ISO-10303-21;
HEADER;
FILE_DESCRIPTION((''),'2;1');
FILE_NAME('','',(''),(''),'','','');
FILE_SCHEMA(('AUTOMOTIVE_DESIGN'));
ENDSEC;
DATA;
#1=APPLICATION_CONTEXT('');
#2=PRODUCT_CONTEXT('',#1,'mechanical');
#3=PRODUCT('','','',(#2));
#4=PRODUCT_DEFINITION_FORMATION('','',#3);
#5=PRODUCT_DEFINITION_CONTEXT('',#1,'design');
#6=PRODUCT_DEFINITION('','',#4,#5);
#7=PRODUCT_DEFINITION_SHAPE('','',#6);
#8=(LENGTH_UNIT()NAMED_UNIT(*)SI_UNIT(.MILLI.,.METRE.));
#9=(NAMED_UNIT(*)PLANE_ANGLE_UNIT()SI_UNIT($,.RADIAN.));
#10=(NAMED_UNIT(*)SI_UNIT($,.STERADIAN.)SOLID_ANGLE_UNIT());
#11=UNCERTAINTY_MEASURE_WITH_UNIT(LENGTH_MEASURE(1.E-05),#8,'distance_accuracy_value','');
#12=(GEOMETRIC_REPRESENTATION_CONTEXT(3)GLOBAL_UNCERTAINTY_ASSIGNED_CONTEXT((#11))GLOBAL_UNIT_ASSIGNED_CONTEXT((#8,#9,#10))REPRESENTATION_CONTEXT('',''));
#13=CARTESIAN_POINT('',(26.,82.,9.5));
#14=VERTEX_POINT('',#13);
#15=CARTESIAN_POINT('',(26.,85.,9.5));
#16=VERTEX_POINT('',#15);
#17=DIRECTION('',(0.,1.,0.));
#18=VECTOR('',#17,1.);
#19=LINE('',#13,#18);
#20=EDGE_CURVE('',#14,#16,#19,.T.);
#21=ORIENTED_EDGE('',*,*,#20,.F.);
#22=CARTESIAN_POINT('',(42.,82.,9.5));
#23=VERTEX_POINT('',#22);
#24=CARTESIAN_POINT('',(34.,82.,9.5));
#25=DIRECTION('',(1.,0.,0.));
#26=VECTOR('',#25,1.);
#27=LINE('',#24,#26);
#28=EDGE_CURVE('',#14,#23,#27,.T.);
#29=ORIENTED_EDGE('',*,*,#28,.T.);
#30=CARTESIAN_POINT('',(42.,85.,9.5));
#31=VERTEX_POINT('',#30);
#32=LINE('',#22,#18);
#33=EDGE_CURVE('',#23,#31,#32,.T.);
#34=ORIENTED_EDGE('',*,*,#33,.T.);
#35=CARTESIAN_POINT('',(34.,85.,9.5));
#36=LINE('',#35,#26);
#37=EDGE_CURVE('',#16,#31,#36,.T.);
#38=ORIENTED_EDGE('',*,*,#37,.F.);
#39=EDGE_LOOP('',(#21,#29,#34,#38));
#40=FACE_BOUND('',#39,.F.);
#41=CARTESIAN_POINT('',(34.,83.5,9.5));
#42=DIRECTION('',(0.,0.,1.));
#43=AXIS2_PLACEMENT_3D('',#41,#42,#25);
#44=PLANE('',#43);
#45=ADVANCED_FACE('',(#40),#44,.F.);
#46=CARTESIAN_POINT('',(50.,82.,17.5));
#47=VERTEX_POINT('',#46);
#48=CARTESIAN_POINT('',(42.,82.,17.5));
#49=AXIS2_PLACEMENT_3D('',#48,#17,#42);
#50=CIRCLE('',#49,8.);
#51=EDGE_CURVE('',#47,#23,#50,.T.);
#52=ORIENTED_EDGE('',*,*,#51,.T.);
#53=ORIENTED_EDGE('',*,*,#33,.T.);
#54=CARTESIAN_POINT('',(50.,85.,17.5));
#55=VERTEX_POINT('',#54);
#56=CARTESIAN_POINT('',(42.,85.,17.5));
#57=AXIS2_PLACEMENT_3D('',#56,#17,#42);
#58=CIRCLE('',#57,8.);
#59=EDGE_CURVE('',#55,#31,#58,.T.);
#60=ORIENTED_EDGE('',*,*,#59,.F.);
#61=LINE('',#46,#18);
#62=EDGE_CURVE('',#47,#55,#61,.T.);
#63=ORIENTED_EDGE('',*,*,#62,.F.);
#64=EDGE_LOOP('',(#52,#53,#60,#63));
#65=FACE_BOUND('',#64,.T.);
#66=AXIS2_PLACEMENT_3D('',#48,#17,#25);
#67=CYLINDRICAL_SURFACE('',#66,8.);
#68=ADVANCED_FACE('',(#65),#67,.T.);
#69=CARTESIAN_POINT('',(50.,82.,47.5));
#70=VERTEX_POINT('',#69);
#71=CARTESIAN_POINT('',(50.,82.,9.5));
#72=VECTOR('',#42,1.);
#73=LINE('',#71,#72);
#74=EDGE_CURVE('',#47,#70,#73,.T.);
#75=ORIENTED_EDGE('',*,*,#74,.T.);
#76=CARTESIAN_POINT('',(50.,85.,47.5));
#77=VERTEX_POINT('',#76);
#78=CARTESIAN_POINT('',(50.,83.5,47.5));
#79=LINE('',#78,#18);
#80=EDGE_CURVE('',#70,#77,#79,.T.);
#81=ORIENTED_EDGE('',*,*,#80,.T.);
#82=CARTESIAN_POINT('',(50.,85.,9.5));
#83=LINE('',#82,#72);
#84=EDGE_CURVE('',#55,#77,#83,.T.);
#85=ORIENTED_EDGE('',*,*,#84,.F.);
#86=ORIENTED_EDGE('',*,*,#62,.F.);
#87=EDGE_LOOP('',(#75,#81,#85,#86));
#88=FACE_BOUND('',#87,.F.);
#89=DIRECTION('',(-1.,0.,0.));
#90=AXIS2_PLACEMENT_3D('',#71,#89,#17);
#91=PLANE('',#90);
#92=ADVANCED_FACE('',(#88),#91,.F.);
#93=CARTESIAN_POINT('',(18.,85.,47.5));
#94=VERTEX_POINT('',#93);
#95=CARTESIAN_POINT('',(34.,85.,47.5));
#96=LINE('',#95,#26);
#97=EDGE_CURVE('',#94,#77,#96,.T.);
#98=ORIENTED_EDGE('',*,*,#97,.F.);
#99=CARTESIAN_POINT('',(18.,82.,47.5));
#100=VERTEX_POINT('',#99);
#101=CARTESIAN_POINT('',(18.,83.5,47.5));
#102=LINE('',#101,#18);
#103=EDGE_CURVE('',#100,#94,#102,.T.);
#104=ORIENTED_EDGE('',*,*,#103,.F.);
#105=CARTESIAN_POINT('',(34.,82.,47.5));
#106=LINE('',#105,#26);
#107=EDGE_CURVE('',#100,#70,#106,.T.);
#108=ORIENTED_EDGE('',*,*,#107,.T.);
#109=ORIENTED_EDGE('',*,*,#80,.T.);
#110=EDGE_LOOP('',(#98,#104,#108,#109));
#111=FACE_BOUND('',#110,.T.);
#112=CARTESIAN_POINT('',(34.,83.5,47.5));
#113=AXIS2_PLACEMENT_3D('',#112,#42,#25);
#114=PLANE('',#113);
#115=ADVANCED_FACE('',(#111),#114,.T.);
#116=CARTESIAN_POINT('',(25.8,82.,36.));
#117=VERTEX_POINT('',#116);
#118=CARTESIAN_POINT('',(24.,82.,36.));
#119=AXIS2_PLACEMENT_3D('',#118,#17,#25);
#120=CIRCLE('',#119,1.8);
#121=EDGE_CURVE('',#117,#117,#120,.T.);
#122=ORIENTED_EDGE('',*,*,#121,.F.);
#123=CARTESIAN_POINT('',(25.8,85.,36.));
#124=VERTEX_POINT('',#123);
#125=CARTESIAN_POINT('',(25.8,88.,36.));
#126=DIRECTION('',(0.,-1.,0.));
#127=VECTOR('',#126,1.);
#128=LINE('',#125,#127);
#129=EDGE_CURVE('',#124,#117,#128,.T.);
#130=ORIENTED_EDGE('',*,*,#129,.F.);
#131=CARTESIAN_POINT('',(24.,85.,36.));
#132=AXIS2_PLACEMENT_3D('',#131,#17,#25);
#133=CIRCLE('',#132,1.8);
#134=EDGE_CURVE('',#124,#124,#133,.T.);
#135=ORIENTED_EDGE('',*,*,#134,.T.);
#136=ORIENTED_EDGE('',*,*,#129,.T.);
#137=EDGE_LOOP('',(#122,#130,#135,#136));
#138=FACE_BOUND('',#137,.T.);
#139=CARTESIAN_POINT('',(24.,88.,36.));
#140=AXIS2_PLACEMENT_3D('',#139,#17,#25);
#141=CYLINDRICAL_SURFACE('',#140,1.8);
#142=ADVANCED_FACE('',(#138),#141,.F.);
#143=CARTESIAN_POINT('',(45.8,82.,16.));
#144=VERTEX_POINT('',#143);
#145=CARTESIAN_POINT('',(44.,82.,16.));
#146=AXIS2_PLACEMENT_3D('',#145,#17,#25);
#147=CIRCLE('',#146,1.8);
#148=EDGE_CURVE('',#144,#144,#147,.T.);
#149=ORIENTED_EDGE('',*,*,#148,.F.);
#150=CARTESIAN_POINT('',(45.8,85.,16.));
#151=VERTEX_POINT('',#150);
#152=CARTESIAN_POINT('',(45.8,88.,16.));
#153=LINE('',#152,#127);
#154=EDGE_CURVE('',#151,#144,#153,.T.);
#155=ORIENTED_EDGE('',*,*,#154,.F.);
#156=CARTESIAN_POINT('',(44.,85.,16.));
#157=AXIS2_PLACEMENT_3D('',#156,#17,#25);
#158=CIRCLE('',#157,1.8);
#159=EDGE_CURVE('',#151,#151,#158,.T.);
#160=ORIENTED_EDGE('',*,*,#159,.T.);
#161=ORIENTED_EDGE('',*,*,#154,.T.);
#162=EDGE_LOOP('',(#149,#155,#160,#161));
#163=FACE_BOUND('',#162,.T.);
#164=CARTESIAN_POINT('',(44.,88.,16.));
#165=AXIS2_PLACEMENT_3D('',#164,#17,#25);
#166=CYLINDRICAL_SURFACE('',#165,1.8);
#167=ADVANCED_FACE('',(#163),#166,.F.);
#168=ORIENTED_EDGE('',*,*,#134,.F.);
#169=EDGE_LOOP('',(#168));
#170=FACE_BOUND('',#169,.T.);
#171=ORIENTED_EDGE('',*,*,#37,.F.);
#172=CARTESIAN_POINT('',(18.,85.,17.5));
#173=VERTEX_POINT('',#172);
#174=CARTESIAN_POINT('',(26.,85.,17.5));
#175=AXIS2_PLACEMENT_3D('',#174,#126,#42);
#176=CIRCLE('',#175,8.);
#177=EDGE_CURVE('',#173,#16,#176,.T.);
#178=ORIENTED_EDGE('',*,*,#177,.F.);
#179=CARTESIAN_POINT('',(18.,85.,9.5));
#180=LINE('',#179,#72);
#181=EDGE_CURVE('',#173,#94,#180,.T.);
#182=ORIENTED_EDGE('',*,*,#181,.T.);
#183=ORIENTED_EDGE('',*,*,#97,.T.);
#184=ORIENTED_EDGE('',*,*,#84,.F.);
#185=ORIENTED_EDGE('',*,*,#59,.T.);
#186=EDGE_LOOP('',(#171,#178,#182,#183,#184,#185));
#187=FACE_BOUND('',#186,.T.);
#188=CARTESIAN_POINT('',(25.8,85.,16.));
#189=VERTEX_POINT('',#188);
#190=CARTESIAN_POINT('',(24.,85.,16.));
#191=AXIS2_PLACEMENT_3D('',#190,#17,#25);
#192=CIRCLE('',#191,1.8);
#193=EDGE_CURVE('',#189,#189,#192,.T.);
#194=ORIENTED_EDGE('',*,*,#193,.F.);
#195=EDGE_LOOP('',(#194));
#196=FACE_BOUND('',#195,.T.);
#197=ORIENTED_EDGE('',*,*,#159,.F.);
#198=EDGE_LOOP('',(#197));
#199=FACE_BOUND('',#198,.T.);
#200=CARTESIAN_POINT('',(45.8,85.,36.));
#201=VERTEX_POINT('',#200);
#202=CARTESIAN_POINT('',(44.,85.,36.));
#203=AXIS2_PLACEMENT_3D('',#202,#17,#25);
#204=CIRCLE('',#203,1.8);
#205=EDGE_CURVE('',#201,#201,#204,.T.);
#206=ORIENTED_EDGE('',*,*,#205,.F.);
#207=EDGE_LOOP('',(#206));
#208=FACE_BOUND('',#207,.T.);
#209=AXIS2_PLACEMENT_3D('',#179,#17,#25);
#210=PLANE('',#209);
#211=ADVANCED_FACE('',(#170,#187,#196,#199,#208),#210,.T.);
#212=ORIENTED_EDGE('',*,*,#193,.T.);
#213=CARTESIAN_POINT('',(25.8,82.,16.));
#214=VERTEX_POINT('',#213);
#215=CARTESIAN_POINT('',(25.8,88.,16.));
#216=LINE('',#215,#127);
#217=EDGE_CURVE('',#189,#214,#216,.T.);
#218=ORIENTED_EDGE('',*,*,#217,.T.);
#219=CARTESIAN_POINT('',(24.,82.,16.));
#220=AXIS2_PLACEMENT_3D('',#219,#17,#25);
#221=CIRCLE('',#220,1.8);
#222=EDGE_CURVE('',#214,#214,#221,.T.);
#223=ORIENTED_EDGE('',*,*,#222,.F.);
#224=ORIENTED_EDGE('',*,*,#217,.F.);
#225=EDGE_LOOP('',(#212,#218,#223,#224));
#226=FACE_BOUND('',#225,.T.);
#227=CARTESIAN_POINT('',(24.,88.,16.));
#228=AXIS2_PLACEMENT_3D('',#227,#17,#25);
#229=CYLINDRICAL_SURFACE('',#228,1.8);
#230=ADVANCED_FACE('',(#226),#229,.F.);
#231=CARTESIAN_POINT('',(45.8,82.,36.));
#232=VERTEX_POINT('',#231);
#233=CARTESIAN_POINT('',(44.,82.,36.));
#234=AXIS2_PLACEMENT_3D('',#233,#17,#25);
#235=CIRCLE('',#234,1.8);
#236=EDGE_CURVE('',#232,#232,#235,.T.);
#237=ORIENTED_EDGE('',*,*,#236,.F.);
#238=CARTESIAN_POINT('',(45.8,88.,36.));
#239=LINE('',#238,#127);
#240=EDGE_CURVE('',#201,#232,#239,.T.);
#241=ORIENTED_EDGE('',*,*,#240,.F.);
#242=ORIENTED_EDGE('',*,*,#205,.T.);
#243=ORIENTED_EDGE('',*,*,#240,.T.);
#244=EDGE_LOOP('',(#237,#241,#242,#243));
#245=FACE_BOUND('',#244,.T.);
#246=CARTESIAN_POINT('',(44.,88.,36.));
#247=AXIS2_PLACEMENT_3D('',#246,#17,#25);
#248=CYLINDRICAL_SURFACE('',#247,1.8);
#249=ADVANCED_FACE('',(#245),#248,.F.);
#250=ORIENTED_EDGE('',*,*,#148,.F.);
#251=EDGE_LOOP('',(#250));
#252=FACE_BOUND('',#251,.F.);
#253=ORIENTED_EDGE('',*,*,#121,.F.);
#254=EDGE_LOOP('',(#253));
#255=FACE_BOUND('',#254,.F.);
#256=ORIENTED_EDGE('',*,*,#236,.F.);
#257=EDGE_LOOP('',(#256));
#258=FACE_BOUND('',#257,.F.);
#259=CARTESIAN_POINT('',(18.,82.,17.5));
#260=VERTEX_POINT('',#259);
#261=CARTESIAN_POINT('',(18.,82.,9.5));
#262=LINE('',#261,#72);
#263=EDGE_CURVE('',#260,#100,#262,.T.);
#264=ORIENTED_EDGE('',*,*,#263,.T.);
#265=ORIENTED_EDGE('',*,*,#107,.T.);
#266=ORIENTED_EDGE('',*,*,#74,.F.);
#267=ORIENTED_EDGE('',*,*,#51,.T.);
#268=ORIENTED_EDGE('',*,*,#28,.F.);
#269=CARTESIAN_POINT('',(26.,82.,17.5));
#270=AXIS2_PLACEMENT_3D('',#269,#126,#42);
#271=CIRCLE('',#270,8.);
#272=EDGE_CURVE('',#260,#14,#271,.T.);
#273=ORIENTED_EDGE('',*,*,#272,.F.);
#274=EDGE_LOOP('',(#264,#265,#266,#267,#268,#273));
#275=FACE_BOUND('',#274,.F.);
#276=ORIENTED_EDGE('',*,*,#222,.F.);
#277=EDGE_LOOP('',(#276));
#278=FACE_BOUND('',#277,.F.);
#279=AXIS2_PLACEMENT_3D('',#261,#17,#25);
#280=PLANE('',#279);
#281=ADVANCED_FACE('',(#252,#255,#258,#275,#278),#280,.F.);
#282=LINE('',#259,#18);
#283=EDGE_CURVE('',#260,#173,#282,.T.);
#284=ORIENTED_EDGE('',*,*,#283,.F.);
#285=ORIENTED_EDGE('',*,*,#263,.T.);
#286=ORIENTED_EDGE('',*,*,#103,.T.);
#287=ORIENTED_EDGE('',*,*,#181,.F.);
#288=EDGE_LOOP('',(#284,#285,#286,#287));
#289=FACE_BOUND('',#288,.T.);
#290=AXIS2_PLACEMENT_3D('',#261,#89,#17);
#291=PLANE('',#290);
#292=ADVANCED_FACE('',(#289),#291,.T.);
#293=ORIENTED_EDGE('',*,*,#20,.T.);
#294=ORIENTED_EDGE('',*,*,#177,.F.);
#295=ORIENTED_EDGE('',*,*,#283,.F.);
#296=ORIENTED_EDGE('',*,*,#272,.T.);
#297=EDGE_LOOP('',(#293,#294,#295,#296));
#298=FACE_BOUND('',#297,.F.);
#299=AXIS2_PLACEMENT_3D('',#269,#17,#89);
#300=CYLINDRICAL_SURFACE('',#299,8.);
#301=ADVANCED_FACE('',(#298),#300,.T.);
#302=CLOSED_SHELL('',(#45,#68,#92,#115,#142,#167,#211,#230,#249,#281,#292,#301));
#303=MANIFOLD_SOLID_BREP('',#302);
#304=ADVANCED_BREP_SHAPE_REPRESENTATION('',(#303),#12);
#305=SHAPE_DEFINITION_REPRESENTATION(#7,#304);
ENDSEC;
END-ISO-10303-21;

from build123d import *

# Parameters (mm, degrees)
CYLINDER007_R            = 1.8
CYLINDER007_DEPTH        = 10
ARRAY004_X_COUNT         = 2
ARRAY004_X_PITCH         = 20
ARRAY004_Y_COUNT         = 2
ARRAY004_Y_PITCH         = 20
ARRAY004_PLACEMENT_ANGLE = 90
BOX021_W                 = 32
BOX021_H                 = 3
BOX021_DEPTH             = 38
FILLET_R                 = 8


with BuildPart() as top_bolt_hole_array:
    # Cylinder007 → Cylinder007 (new body)
    with BuildSketch(Plane.XY):
        Circle(CYLINDER007_R)
    extrude(amount=CYLINDER007_DEPTH)

    # Array004 X: top bolt hole array ×2


with BuildPart() as top_bolt_hole_array_1:
    add(top_bolt_hole_array.part)
    with Locations(*[(i * ARRAY004_X_PITCH, 0, 0) for i in range(1, ARRAY004_X_COUNT)]):
        add(top_bolt_hole_array.part)

    # Array004 Y: top bolt hole array ×2


with BuildPart() as top_bolt_hole_array_2:
    add(top_bolt_hole_array_1.part)
    with Locations(*[(0, i * ARRAY004_Y_PITCH, 0) for i in range(1, ARRAY004_Y_COUNT)]):
        add(top_bolt_hole_array_1.part)


with BuildPart() as top_bolt_hole_array_3:
    # Array004 placement: moved
    add(top_bolt_hole_array_2.part.moved(Location((24, 88, 16))).rotate(Axis((24, 88, 16), (1, 0, 0)), ARRAY004_PLACEMENT_ANGLE))


with BuildPart() as cut001005:
    # Box021 → Box021 (new body)
    with BuildSketch(Plane(origin=(18, 82, 9.5), x_dir=(1, 0, 0), z_dir=(0, 0, 1))):
        with Locations((16, 1.5)):
            Rectangle(BOX021_W, BOX021_H)
    extrude(amount=BOX021_DEPTH)

    # Fillet
    fillet_edges = [cut001005.edges().sort_by_distance(p)[0] for p in [
        (18, 83.5, 9.5),
        (50, 83.5, 9.5),
    ]]
    fillet(fillet_edges, radius=FILLET_R)

    # Cut001005: cut top bolt hole array
    add(top_bolt_hole_array_3.part, mode=Mode.SUBTRACT)


solid = cut001005.part
